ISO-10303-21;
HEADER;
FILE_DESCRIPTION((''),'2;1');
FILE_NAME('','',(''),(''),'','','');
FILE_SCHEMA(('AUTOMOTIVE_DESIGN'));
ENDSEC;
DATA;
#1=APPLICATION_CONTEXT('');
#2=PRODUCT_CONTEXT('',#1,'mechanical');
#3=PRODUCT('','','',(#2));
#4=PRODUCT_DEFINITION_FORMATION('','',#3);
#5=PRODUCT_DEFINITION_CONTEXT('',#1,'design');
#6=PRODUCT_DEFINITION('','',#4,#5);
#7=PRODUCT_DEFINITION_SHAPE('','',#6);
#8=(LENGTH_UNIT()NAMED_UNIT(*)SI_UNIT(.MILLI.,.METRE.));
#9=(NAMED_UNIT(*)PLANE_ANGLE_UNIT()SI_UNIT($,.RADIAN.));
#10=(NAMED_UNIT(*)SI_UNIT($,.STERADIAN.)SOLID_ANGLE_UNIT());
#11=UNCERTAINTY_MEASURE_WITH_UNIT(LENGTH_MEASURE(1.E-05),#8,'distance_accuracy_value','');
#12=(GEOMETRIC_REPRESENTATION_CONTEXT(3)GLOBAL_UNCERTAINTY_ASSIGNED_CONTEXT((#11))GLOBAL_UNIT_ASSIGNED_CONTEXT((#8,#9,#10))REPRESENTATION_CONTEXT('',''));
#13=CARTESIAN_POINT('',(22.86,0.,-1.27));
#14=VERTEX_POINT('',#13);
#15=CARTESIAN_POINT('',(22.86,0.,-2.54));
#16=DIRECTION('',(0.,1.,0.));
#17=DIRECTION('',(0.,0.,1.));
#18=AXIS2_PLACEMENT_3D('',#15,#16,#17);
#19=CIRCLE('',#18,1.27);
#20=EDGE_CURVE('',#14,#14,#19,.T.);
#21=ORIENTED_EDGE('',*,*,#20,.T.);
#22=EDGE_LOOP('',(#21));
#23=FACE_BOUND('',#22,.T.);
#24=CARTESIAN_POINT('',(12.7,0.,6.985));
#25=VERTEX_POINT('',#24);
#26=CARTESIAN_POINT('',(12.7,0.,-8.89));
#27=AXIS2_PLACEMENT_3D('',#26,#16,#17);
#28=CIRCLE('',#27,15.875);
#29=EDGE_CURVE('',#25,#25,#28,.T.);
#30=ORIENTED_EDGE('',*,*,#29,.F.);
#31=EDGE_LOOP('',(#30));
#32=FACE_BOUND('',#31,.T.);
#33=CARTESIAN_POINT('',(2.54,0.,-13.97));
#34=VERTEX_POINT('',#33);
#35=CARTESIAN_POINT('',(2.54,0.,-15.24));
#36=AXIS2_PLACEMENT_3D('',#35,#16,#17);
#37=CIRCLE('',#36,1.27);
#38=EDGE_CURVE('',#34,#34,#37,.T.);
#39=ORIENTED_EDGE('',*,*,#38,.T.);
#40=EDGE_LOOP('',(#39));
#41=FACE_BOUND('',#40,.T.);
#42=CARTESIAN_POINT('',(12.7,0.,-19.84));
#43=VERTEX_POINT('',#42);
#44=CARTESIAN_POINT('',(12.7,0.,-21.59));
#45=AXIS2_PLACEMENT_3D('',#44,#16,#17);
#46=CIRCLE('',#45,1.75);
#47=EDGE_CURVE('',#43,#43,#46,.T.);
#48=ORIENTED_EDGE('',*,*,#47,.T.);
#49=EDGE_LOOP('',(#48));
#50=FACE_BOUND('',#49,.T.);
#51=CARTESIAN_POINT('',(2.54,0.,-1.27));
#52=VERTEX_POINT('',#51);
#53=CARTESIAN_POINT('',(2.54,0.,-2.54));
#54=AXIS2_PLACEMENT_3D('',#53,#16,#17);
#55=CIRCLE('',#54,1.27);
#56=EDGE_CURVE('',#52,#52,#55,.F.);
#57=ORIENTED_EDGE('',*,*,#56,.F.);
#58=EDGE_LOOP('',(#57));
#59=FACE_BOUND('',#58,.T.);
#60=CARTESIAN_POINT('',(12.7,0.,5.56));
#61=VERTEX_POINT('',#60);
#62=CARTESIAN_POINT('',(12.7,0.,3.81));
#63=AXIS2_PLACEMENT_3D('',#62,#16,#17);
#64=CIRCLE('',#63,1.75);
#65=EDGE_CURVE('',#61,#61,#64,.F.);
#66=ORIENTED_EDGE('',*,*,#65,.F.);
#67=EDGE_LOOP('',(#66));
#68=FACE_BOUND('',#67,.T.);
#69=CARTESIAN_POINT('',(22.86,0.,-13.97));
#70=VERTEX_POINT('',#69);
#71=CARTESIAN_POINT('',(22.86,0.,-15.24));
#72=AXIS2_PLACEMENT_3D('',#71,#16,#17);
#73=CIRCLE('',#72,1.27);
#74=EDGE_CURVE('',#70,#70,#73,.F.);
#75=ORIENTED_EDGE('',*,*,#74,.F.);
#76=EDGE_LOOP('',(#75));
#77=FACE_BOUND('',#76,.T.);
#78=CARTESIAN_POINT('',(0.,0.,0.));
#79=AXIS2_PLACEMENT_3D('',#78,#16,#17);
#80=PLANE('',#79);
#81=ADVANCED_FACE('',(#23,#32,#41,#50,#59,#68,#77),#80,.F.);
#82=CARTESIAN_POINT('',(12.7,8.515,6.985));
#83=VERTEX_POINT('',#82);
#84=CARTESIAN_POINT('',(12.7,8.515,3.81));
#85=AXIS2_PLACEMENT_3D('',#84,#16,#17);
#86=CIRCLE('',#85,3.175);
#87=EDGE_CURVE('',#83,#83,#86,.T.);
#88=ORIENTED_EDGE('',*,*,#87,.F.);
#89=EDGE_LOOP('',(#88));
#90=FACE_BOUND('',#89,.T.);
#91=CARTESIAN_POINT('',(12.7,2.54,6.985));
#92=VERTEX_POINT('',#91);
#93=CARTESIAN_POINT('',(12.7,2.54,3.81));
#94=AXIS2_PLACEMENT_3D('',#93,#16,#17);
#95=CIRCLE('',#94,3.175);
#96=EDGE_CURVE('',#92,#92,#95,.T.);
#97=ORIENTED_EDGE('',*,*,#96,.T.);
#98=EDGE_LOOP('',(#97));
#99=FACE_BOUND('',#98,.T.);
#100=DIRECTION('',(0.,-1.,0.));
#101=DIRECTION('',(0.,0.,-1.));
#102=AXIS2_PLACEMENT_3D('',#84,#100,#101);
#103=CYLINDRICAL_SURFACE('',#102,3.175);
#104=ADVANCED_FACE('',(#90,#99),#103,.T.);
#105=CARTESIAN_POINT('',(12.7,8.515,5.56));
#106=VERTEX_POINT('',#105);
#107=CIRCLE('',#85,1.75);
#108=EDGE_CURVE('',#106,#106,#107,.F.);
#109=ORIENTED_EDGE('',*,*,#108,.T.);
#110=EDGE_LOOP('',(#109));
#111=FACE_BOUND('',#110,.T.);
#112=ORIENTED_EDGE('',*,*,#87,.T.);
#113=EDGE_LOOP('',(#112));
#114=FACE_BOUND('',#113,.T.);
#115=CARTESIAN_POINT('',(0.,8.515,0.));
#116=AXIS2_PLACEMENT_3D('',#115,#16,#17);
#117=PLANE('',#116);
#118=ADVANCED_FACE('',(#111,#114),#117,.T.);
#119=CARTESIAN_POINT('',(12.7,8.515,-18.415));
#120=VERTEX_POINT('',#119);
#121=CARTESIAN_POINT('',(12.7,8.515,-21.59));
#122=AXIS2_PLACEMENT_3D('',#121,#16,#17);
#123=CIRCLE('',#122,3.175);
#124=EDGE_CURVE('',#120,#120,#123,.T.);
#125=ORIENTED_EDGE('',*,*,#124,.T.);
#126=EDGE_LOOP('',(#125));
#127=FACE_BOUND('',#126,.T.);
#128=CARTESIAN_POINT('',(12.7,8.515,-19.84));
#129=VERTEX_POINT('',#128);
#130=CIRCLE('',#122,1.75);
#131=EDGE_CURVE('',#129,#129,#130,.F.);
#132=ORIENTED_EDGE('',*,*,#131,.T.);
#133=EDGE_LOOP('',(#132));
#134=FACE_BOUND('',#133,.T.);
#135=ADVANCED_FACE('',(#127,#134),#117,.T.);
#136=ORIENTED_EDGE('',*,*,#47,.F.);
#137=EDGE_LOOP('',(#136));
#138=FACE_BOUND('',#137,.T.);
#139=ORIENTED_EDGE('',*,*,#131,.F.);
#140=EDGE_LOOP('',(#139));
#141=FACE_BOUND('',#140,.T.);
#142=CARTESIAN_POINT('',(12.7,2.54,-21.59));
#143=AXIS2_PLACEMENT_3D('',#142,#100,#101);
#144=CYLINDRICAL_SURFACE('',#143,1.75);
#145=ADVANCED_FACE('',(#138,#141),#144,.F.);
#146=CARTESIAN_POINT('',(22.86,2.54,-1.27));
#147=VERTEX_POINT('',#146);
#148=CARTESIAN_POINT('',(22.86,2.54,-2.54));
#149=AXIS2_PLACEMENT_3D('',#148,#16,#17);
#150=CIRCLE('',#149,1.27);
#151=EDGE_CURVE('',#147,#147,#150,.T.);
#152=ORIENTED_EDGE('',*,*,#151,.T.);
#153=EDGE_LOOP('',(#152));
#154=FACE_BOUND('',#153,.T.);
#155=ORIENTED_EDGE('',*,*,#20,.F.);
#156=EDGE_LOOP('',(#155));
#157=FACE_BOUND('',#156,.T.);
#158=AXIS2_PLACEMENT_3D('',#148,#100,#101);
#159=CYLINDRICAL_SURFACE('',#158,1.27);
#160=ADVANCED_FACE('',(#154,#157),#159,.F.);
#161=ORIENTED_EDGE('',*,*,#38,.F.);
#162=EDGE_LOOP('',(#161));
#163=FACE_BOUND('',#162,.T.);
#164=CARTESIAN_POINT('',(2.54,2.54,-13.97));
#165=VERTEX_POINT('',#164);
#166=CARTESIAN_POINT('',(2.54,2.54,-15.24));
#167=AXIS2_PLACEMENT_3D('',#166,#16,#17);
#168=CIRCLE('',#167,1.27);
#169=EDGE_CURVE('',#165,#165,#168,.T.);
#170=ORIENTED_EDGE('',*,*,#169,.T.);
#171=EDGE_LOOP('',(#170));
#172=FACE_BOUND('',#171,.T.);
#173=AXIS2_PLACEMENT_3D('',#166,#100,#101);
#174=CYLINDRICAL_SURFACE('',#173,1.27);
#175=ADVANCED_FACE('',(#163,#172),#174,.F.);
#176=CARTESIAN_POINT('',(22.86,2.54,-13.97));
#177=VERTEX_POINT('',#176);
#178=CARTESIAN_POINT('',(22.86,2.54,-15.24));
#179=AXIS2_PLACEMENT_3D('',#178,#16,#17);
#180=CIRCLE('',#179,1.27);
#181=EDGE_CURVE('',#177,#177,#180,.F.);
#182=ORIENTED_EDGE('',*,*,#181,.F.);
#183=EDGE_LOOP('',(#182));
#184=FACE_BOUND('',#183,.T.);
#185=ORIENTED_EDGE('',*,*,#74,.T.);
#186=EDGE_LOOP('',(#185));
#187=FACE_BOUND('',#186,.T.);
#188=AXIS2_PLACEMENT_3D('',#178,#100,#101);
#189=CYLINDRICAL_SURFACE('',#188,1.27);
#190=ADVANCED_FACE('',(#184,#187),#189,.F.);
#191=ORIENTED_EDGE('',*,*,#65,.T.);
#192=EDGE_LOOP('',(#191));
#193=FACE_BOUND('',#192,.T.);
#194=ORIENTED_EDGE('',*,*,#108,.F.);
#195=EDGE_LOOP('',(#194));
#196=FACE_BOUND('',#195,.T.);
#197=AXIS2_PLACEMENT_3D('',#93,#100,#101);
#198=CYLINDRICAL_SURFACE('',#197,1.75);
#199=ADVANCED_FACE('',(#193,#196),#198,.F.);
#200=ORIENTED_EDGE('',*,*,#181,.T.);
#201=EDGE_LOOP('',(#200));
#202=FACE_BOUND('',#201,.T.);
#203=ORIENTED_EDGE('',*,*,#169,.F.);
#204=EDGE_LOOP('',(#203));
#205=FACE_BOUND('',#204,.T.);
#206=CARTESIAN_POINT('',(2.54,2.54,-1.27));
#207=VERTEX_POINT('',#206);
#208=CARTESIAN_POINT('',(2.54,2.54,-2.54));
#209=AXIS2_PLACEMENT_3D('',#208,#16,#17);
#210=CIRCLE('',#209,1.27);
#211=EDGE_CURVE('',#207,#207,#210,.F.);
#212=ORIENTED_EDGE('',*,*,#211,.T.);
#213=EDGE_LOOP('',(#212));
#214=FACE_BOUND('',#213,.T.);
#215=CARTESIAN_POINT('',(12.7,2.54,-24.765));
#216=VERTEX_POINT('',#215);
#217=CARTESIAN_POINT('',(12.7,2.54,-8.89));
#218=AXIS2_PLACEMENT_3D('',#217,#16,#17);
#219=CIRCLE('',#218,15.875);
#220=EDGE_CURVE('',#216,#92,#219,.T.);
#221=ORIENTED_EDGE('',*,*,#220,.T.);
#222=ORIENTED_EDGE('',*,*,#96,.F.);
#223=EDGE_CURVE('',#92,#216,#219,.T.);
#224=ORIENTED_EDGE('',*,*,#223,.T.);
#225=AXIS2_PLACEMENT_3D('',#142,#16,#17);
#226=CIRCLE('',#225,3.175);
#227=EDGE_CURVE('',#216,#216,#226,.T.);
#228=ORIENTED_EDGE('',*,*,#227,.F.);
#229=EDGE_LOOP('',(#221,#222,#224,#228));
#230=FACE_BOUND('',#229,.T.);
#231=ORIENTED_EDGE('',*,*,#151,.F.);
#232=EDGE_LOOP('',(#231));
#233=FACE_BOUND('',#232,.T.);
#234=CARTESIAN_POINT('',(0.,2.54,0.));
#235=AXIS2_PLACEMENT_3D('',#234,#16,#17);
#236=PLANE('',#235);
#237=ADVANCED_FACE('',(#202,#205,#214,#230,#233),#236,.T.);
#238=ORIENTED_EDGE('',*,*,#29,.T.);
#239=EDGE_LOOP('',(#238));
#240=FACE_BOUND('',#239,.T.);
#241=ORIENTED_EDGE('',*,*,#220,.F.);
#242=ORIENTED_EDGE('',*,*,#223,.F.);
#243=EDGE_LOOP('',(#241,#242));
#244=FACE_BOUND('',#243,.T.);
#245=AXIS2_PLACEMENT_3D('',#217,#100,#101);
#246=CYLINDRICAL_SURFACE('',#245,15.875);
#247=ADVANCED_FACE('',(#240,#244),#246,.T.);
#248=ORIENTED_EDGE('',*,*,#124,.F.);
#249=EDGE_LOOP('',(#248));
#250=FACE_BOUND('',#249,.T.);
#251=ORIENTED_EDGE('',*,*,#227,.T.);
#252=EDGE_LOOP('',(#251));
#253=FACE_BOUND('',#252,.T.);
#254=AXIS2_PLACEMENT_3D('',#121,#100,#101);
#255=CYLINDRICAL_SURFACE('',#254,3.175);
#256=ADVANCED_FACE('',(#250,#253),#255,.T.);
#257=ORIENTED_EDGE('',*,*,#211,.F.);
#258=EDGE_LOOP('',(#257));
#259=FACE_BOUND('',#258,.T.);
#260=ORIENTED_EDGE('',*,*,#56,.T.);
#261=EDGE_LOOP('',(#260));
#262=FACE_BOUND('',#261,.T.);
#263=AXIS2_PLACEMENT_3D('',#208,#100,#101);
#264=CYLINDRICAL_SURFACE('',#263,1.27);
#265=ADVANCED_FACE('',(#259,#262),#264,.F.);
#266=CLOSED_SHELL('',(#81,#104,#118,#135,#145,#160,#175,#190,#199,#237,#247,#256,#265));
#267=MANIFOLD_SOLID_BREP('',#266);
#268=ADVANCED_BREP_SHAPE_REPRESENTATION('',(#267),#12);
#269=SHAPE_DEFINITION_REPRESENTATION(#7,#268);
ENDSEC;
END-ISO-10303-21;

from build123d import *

# Parameters (mm, degrees)
SKETCH1_R           = 15.875
SKETCH1_R_2         = 1.75
SKETCH1_W           = 25.4
SKETCH1_H           = 17.78
SKETCH1_R_3         = 1.27
BOSS_EXTRUDE1_DEPTH = 2.54
SKETCH2_R           = 3.175
SKETCH2_R_2         = 1.75
BOSS_EXTRUDE2_DEPTH = 5.974999988


with BuildPart() as part:
    # Sketch1 → Boss-Extrude1 (new body)
    # profile 1 of 2: a face of its own
    with BuildSketch(Plane(origin=(0, 0, 0), x_dir=(1, 0, 0), z_dir=(0, 1, 0))):
        with Locations(Location((12.7, 8.89, 0), (0, 0, 270))):
            Circle(SKETCH1_R)
        with Locations(Location((12.7, 21.59, 0), (0, 0, 270))):
            Circle(SKETCH1_R_2, mode=Mode.SUBTRACT)
        with Locations(Location((12.7, -3.81, 0), (0, 0, 270))):
            Circle(SKETCH1_R_2, mode=Mode.SUBTRACT)
        with Locations((12.7, 8.89)):
            Rectangle(SKETCH1_W, SKETCH1_H, mode=Mode.SUBTRACT)
    # profile 2 of 2: a face of its own
    with BuildSketch(Plane(origin=(0, 0, 0), x_dir=(1, 0, 0), z_dir=(0, 1, 0))):
        with Locations((12.7, 8.89)):
            Rectangle(SKETCH1_W, SKETCH1_H)
        with Locations(Location((22.86, 15.24, 0), (0, 0, 270))):
            Circle(SKETCH1_R_3, mode=Mode.SUBTRACT)
        with Locations(Location((2.54, 15.24, 0), (0, 0, 270))):
            Circle(SKETCH1_R_3, mode=Mode.SUBTRACT)
        with Locations(Location((22.86, 2.54, 0), (0, 0, 270))):
            Circle(SKETCH1_R_3, mode=Mode.SUBTRACT)
        with Locations(Location((2.54, 2.54, 0), (0, 0, 270))):
            Circle(SKETCH1_R_3, mode=Mode.SUBTRACT)
    extrude(amount=BOSS_EXTRUDE1_DEPTH)

    # Sketch2 → Boss-Extrude2 (add)
    # profile 1 of 2: a face of its own
    with BuildSketch(Plane(origin=(0, 2.54, 0), x_dir=(1, 0, 0), z_dir=(0, 1, 0))):
        with Locations(Location((12.7, 21.59, 0), (0, 0, 89.999491582))):
            Circle(SKETCH2_R)
        with Locations(Location((12.7, 21.59, 0), (0, 0, 270))):
            Circle(SKETCH2_R_2, mode=Mode.SUBTRACT)
    # profile 2 of 2: a face of its own
    with BuildSketch(Plane(origin=(0, 2.54, 0), x_dir=(1, 0, 0), z_dir=(0, 1, 0))):
        with Locations(Location((12.7, -3.81, 0), (0, 0, 269.999491581))):
            Circle(SKETCH2_R)
        with Locations(Location((12.7, -3.81, 0), (0, 0, 270))):
            Circle(SKETCH2_R_2, mode=Mode.SUBTRACT)
    extrude(amount=BOSS_EXTRUDE2_DEPTH)


solid = part.part
